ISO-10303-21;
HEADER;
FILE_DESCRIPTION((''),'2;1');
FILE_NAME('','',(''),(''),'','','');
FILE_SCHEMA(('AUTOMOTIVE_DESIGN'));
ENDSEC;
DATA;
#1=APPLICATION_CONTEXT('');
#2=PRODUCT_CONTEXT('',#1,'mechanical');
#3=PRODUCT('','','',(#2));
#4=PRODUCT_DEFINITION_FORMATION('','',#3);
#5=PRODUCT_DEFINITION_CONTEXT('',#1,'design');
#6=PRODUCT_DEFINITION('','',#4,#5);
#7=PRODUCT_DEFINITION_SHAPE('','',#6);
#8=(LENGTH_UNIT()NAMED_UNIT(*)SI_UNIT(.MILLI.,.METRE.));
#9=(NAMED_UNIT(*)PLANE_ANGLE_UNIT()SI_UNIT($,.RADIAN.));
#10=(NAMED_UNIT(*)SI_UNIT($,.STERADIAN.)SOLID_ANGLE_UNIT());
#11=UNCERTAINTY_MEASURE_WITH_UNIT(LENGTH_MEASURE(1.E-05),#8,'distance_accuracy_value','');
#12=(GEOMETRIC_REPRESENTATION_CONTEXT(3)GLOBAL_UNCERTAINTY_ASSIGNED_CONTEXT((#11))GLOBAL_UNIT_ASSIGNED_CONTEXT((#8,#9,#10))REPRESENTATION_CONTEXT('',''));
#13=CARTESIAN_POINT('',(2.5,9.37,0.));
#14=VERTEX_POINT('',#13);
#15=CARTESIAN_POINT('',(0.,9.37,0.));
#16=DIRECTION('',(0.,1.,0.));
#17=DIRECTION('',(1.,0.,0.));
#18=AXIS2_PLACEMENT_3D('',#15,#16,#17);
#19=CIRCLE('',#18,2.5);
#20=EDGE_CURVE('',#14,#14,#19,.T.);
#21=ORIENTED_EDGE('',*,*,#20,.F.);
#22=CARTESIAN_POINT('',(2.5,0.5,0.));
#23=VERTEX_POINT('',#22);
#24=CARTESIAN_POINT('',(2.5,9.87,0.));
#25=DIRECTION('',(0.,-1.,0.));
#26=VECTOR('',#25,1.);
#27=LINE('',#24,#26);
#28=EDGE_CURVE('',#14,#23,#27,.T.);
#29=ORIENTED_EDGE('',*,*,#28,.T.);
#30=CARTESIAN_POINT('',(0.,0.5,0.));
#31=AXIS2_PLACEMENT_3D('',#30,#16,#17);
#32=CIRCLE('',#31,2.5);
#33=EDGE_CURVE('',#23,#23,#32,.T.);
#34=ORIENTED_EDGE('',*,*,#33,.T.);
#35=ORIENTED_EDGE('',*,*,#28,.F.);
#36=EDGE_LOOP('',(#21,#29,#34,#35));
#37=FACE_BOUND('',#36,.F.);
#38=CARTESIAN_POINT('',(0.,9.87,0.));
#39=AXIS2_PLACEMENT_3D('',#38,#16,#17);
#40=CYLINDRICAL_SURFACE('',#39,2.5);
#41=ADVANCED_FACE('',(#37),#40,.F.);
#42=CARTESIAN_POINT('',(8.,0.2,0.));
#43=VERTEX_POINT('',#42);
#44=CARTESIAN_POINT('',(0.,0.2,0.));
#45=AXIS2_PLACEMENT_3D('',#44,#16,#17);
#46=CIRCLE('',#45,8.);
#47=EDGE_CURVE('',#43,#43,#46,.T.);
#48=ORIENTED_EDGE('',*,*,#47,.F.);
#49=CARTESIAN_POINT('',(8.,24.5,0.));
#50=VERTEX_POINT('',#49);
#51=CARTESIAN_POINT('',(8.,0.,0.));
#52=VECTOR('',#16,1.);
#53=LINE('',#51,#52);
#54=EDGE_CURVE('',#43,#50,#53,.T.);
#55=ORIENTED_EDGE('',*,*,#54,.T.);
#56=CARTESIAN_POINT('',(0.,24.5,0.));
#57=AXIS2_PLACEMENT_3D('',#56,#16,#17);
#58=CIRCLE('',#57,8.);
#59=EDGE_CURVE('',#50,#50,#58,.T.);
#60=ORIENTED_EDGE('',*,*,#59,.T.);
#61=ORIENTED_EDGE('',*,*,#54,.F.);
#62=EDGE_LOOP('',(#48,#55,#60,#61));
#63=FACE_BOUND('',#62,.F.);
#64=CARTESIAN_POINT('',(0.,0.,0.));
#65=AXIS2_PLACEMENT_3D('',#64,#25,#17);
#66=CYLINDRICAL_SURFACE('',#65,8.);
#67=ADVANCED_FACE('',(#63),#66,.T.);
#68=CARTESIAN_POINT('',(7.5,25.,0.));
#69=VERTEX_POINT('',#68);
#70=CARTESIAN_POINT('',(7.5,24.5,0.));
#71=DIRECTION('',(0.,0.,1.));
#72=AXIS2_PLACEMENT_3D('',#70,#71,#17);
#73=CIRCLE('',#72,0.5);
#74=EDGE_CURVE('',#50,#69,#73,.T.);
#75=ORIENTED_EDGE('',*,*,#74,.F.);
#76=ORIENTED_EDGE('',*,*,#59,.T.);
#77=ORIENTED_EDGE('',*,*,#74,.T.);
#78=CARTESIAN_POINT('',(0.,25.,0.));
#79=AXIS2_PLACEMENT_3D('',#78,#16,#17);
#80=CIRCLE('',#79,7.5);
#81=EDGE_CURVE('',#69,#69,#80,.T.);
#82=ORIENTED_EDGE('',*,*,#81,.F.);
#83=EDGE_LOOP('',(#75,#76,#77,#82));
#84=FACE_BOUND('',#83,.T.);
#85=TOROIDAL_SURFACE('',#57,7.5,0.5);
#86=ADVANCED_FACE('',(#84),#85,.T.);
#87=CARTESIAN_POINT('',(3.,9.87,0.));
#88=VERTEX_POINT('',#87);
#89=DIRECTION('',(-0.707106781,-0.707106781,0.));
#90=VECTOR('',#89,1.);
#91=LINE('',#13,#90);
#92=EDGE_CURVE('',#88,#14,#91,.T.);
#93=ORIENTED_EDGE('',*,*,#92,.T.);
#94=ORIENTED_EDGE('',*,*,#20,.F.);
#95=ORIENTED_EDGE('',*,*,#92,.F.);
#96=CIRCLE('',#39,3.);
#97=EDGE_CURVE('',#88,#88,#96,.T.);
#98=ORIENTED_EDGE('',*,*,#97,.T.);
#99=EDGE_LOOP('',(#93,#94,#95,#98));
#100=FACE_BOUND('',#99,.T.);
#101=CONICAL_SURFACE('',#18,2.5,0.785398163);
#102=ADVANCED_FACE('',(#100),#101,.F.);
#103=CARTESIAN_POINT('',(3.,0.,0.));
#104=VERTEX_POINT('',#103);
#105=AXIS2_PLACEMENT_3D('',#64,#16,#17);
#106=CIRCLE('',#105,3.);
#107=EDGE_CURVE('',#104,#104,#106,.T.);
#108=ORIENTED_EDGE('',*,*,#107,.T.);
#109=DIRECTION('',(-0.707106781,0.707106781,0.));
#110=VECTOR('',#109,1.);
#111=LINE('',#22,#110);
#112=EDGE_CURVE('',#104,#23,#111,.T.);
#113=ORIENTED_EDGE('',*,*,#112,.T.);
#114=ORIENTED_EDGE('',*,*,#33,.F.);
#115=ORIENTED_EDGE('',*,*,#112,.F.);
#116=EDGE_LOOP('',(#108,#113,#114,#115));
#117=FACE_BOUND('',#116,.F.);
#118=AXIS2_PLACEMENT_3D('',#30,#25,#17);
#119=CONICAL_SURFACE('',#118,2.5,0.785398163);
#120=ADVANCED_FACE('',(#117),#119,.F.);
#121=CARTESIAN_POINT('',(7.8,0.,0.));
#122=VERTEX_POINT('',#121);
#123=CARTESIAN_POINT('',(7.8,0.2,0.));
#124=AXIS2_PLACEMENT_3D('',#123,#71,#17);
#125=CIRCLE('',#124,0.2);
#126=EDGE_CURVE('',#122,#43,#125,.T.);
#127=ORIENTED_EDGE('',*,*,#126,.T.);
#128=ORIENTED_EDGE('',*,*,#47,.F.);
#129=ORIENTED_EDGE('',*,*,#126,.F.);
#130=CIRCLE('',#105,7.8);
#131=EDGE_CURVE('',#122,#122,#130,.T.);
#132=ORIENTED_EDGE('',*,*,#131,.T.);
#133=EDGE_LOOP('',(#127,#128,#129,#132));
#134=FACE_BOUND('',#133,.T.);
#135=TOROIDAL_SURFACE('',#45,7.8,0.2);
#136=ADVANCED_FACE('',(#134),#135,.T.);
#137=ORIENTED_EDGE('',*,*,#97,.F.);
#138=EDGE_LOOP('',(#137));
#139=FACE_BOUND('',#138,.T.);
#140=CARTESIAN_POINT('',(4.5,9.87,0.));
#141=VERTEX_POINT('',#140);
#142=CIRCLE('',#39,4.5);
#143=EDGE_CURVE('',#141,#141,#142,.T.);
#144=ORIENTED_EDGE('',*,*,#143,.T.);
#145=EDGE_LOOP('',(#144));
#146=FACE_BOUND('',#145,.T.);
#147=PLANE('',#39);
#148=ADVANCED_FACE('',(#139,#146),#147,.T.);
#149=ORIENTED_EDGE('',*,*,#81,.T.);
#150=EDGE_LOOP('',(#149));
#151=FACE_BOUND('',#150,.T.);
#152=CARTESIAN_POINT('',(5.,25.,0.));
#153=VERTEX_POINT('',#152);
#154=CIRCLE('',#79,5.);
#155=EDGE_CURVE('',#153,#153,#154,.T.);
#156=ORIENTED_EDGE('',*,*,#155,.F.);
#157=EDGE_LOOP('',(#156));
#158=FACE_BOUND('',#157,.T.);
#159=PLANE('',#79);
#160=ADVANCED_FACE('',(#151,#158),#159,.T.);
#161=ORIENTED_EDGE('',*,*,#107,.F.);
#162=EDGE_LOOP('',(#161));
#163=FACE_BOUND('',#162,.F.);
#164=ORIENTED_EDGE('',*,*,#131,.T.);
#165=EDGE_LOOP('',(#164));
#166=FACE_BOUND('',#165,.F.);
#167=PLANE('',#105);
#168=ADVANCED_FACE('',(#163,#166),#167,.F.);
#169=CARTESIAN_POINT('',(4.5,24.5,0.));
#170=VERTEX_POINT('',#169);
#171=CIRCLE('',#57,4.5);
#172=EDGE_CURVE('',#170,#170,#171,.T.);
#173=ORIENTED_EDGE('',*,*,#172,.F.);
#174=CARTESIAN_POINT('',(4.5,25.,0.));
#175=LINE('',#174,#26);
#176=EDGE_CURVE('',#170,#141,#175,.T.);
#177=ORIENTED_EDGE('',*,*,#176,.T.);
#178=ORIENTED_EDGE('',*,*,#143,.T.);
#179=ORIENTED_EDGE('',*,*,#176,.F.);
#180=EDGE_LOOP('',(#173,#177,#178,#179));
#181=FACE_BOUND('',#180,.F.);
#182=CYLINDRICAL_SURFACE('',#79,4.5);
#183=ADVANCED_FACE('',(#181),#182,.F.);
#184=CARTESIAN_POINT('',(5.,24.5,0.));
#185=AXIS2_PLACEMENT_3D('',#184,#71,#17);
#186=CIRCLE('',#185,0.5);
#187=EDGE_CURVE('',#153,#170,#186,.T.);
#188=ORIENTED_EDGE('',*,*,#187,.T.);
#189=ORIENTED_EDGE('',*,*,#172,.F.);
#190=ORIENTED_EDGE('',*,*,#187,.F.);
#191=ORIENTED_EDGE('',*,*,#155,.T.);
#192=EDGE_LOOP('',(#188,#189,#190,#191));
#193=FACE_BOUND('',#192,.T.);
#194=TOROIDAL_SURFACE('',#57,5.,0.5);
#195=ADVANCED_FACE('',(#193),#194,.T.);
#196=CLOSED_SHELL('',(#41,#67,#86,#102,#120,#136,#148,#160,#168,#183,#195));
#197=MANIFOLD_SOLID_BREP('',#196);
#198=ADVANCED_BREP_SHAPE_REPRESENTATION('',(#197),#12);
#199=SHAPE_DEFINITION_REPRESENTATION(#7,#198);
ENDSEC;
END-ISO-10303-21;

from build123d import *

# Parameters (mm, degrees)
SKETCH2_R           = 8
BOSS_EXTRUDE1_DEPTH = 25
SKETCH3_R           = 4.5
CUT_EXTRUDE1_DEPTH  = 15.13
SKETCH4_R           = 2.5
CUT_EXTRUDE2_DEPTH  = 10.87
FILLET1_R           = 0.5
FILLET2_R           = 0.5
CHAMFER1_SIZE       = 0.5
FILLET3_R           = 0.2


with BuildPart() as part:
    # Sketch2 → Boss-Extrude1 (new body)
    with BuildSketch(Plane(origin=(0, 0, 0), x_dir=(1, 0, 0), z_dir=(0, 1, 0))):
        Circle(SKETCH2_R)
    extrude(amount=BOSS_EXTRUDE1_DEPTH)

    # Sketch3 → Cut-Extrude1 (cut)
    with BuildSketch(Plane(origin=(0, 25, 0), x_dir=(1, 0, 0), z_dir=(0, 1, 0))):
        Circle(SKETCH3_R)
    extrude(amount=-CUT_EXTRUDE1_DEPTH, mode=Mode.SUBTRACT)

    # Sketch4 → Cut-Extrude2 (cut, through all)
    with BuildSketch(Plane(origin=(0, 9.87, 0), x_dir=(1, 0, 0), z_dir=(0, 1, 0))):
        Circle(SKETCH4_R)
    extrude(amount=-CUT_EXTRUDE2_DEPTH, mode=Mode.SUBTRACT)

    # Fillet1
    fillet1_edges = [part.edges().sort_by_distance(p)[0] for p in [
        (-8, 25, 0),
    ]]
    fillet(fillet1_edges, radius=FILLET1_R)

    # Fillet2
    fillet2_edges = [part.edges().sort_by_distance(p)[0] for p in [
        (-4.5, 25, 0),
    ]]
    fillet(fillet2_edges, radius=FILLET2_R)

    # Chamfer1
    chamfer1_edges = [part.edges().sort_by_distance(p)[0] for p in [
        (-2.5, 0, 0),
        (-2.5, 9.87, 0),
    ]]
    chamfer(chamfer1_edges, length=CHAMFER1_SIZE)

    # Fillet3
    fillet3_edges = [part.edges().sort_by_distance(p)[0] for p in [
        (-8, 0, 0),
    ]]
    fillet(fillet3_edges, radius=FILLET3_R)


solid = part.part
